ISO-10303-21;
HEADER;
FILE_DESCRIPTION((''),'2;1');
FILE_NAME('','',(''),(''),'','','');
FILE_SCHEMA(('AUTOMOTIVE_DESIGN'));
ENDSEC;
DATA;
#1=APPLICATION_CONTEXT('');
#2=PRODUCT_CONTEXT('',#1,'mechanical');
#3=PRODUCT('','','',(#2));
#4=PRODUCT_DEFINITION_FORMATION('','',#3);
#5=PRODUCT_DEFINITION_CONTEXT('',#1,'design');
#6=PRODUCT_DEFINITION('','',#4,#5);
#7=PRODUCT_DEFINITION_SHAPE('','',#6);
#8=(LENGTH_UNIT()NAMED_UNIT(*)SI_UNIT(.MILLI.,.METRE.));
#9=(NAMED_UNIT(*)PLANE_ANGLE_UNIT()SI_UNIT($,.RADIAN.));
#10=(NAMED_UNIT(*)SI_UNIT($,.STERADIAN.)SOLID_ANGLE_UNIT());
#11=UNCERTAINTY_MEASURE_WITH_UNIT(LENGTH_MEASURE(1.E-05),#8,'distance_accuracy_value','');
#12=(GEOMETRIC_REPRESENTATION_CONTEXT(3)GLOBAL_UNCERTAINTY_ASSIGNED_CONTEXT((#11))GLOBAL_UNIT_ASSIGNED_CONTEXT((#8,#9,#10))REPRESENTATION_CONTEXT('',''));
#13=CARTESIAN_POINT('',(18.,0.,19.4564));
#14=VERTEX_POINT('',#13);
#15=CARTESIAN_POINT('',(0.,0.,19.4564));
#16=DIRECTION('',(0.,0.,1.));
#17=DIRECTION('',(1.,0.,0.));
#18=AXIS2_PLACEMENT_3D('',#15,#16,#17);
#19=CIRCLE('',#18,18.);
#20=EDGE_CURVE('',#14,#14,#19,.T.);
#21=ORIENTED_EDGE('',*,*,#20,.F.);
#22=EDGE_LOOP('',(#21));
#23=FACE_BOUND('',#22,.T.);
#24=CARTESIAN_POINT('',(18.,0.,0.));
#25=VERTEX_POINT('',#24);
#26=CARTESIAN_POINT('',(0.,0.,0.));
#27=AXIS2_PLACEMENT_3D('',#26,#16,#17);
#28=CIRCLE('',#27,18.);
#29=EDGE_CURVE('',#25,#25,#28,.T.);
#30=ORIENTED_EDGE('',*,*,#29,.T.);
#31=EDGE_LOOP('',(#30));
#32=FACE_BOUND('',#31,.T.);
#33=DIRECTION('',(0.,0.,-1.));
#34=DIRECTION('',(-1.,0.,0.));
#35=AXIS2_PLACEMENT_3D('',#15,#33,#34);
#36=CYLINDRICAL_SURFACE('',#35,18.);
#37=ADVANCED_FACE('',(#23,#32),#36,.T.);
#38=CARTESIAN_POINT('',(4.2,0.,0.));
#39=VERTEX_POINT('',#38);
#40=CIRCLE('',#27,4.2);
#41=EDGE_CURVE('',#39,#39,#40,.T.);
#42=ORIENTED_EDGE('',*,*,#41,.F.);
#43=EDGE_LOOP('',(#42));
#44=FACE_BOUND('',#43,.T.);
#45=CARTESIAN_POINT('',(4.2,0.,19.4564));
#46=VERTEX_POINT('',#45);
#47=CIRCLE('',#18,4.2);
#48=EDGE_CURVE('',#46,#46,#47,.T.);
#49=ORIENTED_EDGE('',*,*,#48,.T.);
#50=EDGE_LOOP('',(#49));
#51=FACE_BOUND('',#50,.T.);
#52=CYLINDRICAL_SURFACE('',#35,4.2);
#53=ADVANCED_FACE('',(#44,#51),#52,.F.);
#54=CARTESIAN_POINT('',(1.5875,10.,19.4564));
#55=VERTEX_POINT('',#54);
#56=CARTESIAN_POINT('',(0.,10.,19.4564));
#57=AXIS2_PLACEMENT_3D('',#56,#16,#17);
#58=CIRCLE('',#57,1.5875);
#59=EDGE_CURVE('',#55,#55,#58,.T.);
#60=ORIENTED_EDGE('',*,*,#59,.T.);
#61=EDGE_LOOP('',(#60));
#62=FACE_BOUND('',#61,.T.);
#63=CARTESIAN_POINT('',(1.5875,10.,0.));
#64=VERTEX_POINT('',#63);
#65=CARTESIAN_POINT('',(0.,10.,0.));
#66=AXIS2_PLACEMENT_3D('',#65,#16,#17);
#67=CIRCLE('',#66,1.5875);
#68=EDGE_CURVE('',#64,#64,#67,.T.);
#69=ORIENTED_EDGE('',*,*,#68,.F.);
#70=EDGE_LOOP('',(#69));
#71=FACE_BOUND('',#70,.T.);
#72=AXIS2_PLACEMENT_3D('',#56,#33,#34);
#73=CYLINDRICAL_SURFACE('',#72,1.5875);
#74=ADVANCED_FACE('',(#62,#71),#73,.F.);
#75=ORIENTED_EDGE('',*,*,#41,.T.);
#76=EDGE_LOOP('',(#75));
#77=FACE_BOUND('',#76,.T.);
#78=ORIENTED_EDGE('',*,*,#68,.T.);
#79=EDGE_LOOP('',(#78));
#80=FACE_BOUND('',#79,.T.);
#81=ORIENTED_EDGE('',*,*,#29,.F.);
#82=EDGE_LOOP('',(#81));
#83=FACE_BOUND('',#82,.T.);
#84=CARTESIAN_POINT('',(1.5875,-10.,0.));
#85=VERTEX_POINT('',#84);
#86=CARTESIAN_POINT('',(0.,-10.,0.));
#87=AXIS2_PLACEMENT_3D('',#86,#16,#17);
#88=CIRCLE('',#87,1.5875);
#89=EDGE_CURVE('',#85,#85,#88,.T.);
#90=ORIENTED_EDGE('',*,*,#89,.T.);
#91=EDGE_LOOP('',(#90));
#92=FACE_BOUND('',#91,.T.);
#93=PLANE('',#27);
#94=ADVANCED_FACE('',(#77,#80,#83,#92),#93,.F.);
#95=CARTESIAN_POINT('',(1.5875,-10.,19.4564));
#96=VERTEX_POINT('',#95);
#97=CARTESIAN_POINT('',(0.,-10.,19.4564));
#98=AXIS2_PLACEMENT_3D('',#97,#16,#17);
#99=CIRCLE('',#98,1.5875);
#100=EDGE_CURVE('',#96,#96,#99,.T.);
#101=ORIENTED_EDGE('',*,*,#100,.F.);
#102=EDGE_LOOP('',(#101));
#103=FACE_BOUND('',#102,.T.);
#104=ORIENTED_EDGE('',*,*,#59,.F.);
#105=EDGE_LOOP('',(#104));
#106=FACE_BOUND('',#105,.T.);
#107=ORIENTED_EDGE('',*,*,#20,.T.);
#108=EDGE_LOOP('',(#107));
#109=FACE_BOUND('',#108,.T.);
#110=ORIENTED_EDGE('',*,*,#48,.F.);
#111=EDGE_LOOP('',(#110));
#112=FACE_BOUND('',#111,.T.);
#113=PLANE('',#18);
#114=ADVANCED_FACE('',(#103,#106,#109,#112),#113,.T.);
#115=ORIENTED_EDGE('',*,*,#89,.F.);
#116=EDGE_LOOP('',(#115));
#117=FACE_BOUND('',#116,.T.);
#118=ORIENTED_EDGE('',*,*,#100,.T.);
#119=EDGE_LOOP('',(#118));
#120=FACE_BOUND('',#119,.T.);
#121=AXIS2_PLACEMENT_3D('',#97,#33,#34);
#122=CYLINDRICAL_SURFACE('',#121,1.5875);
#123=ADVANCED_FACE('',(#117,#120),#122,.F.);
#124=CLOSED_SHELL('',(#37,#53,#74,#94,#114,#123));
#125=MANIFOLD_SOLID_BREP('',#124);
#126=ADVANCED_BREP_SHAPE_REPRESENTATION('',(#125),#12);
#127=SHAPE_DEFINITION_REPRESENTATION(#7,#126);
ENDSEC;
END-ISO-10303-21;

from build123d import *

# Parameters (mm, degrees)
SKETCH1_R           = 18
SKETCH1_R_2         = 1.5875
SKETCH1_R_3         = 4.2
BOSS_EXTRUDE2_DEPTH = 19.4564


with BuildPart() as part:
    # Sketch1 → Boss-Extrude2 (new body)
    with BuildSketch(Plane.XY):
        Circle(SKETCH1_R)
        with Locations((0, 10)):
            Circle(SKETCH1_R_2, mode=Mode.SUBTRACT)
        Circle(SKETCH1_R_3, mode=Mode.SUBTRACT)
        with Locations((0, -10)):
            Circle(SKETCH1_R_2, mode=Mode.SUBTRACT)
    extrude(amount=BOSS_EXTRUDE2_DEPTH)


solid = part.part
